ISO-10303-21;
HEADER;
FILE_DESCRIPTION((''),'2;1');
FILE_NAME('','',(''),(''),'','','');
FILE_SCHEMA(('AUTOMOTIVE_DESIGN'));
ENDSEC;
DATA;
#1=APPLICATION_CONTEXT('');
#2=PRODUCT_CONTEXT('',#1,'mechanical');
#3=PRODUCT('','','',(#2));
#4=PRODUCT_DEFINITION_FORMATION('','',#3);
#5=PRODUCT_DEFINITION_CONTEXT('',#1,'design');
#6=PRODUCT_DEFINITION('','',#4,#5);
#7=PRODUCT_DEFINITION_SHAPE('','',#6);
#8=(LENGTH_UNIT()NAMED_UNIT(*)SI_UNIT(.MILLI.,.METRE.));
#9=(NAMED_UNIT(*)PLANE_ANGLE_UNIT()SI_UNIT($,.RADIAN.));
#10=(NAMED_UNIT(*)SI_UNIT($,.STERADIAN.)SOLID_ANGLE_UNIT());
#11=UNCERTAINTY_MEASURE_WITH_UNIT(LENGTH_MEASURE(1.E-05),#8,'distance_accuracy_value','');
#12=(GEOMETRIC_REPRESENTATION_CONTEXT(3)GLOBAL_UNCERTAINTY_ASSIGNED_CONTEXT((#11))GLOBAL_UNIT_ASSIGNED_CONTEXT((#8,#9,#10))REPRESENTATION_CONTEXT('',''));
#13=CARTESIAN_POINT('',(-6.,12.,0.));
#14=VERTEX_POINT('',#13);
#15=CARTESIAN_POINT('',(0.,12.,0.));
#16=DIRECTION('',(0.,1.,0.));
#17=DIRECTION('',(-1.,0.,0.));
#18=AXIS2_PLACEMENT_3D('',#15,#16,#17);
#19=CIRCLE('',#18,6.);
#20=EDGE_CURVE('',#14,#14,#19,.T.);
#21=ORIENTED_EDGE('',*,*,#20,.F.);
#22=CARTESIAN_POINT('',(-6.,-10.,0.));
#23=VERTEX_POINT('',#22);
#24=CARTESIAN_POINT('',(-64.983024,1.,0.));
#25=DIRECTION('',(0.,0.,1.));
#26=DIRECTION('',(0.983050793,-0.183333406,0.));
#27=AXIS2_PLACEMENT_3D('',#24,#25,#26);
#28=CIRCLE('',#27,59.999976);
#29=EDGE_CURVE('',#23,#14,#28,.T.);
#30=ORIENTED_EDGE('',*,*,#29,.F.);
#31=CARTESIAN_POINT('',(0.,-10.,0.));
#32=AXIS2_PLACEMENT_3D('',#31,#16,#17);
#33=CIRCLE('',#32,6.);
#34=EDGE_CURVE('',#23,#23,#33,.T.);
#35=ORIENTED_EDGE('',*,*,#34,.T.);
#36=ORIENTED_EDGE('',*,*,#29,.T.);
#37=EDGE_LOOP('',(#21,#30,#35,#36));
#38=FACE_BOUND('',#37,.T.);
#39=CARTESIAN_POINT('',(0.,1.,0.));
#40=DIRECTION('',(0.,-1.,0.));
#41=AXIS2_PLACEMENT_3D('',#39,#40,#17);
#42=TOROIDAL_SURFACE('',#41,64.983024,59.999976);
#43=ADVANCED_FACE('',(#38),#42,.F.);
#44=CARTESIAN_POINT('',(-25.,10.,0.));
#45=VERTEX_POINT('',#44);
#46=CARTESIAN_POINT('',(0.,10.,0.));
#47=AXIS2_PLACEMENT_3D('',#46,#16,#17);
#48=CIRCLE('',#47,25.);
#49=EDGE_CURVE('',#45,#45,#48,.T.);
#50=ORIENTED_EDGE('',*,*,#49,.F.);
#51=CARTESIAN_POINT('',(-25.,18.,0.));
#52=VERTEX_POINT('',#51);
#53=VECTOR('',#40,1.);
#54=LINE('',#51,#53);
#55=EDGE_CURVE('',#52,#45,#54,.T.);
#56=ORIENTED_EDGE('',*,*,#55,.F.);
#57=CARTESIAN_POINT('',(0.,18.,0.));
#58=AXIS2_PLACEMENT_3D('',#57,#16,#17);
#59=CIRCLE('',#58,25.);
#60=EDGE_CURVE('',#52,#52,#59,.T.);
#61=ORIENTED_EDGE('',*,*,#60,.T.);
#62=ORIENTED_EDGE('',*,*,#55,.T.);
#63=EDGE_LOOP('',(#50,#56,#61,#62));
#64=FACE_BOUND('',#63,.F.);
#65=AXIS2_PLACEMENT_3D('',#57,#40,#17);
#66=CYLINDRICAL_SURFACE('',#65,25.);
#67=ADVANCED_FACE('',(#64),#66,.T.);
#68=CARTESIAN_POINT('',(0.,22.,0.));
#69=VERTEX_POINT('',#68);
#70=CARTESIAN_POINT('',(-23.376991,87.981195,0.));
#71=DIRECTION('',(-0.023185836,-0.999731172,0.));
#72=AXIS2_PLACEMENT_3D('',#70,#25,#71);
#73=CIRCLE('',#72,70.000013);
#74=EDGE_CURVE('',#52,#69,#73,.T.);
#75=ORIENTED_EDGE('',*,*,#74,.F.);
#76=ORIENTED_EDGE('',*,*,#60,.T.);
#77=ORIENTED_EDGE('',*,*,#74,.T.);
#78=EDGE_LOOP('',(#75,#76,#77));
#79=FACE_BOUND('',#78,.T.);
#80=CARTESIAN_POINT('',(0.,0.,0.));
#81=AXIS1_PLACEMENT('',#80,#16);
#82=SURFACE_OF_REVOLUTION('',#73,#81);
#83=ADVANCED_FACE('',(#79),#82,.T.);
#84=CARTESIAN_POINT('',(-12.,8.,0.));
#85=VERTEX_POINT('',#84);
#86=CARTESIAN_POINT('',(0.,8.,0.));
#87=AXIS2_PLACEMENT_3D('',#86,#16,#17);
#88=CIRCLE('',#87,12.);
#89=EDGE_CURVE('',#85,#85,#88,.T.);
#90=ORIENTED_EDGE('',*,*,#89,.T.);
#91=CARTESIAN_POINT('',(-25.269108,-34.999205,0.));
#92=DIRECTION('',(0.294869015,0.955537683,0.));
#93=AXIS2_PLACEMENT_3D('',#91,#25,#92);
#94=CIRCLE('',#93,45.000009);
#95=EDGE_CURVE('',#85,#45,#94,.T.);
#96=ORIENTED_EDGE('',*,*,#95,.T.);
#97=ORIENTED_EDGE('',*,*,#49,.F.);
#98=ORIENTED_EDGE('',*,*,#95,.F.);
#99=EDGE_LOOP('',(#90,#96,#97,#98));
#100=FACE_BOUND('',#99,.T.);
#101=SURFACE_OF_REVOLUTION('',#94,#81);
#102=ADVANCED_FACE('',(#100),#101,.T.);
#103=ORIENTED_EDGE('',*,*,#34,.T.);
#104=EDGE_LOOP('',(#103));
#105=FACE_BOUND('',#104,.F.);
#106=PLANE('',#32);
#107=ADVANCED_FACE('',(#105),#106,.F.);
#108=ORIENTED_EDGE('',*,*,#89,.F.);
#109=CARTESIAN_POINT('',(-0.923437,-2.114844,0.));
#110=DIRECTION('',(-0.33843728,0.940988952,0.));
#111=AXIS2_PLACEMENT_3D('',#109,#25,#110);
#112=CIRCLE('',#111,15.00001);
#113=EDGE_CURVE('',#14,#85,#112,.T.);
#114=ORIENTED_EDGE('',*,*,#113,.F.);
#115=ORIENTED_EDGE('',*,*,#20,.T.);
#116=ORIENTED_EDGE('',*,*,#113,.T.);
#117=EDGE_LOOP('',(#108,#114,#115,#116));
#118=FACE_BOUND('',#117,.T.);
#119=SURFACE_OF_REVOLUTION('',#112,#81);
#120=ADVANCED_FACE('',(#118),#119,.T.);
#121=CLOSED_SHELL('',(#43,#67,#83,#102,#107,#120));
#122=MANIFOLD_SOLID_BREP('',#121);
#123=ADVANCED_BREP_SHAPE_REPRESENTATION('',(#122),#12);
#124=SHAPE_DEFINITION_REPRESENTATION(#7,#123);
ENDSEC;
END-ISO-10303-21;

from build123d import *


with BuildPart() as part:
    # Sketch → Revolution (revolve)
    with BuildSketch(Plane.XY):
        with BuildLine():
            Line((-25, 18), (-25, 10))
            ThreePointArc((-12, 8), (-18.426534, 9.477531), (-25, 10))
            ThreePointArc((-6, 12), (-9.243946, 10.365919), (-12, 8))
            ThreePointArc((-6, -10), (-4.983048, 1), (-6, 12))
            Line((-6, -10), (0, -10))
            Line((0, -10), (0, 22))
            ThreePointArc((-25, 18), (-12.317654, 18.860338), (0, 22))
        make_face()
    revolve(axis=Axis((0, 0, 0), (0, 1, 0)))


solid = part.part
